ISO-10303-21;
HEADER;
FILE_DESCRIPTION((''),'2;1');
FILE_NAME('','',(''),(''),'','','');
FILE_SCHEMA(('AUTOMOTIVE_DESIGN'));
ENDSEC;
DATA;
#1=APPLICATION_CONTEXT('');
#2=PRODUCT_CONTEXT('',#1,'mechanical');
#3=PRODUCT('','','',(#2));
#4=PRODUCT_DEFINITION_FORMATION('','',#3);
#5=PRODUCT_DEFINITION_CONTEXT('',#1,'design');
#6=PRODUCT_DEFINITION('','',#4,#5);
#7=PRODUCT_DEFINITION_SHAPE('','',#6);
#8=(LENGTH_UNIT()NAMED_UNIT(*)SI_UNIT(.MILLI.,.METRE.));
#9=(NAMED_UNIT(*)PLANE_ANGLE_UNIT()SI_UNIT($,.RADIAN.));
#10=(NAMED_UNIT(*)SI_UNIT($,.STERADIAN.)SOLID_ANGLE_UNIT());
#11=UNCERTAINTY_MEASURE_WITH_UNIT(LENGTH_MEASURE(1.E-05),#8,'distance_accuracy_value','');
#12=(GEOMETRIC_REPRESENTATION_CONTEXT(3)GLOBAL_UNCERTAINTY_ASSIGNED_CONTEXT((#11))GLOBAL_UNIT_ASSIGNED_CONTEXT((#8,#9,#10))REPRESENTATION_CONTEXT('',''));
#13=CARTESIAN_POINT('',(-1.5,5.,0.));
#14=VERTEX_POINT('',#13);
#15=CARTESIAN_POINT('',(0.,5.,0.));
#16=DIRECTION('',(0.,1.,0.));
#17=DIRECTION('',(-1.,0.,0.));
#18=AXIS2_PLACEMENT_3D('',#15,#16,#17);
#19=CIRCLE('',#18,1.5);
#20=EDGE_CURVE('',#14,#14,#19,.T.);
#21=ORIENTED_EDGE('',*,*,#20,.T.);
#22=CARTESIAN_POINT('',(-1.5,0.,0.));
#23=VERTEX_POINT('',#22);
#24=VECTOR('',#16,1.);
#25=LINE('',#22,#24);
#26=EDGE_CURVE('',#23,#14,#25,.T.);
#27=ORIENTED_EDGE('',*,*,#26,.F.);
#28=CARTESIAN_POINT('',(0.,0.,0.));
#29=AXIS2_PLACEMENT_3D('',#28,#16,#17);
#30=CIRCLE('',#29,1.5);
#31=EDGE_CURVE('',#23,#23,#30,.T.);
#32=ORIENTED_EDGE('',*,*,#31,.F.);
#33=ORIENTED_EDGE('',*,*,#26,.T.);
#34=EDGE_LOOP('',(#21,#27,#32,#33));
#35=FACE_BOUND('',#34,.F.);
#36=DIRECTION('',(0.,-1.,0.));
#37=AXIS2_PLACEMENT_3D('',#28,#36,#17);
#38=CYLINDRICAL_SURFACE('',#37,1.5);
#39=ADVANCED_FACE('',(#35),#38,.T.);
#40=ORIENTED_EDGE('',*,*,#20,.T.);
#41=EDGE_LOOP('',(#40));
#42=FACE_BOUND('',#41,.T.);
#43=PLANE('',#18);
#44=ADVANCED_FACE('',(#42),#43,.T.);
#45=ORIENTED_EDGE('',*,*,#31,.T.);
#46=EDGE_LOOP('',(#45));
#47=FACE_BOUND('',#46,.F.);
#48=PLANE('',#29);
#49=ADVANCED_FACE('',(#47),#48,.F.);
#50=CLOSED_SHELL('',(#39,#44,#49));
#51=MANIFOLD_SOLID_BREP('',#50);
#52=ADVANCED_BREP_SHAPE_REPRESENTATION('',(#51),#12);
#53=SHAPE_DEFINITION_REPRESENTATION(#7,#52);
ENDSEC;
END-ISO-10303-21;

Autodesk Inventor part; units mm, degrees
ref_plane "YZ Plane" through (0, 0, 0) normal (1, 0, 0) x (0, 1, 0)
ref_plane "XZ Plane" through (0, 0, 0) normal (0, 1, 0) x (-1, 0, 0)
ref_plane "XY Plane" through (0, 0, 0) normal (0, 0, 1) x (1, 0, 0)
sketch "Sketch1" plane through (0, 0, 0) normal (0, 1, 0) x (-1, 0, 0)
  circle A0 centre (0, 0) radius 1.5
  dimension "d0" = 3
extrude "Extrusion1" add sketch "Sketch1" along normal blind 5
properties part number "RedWire" material "Copper"
